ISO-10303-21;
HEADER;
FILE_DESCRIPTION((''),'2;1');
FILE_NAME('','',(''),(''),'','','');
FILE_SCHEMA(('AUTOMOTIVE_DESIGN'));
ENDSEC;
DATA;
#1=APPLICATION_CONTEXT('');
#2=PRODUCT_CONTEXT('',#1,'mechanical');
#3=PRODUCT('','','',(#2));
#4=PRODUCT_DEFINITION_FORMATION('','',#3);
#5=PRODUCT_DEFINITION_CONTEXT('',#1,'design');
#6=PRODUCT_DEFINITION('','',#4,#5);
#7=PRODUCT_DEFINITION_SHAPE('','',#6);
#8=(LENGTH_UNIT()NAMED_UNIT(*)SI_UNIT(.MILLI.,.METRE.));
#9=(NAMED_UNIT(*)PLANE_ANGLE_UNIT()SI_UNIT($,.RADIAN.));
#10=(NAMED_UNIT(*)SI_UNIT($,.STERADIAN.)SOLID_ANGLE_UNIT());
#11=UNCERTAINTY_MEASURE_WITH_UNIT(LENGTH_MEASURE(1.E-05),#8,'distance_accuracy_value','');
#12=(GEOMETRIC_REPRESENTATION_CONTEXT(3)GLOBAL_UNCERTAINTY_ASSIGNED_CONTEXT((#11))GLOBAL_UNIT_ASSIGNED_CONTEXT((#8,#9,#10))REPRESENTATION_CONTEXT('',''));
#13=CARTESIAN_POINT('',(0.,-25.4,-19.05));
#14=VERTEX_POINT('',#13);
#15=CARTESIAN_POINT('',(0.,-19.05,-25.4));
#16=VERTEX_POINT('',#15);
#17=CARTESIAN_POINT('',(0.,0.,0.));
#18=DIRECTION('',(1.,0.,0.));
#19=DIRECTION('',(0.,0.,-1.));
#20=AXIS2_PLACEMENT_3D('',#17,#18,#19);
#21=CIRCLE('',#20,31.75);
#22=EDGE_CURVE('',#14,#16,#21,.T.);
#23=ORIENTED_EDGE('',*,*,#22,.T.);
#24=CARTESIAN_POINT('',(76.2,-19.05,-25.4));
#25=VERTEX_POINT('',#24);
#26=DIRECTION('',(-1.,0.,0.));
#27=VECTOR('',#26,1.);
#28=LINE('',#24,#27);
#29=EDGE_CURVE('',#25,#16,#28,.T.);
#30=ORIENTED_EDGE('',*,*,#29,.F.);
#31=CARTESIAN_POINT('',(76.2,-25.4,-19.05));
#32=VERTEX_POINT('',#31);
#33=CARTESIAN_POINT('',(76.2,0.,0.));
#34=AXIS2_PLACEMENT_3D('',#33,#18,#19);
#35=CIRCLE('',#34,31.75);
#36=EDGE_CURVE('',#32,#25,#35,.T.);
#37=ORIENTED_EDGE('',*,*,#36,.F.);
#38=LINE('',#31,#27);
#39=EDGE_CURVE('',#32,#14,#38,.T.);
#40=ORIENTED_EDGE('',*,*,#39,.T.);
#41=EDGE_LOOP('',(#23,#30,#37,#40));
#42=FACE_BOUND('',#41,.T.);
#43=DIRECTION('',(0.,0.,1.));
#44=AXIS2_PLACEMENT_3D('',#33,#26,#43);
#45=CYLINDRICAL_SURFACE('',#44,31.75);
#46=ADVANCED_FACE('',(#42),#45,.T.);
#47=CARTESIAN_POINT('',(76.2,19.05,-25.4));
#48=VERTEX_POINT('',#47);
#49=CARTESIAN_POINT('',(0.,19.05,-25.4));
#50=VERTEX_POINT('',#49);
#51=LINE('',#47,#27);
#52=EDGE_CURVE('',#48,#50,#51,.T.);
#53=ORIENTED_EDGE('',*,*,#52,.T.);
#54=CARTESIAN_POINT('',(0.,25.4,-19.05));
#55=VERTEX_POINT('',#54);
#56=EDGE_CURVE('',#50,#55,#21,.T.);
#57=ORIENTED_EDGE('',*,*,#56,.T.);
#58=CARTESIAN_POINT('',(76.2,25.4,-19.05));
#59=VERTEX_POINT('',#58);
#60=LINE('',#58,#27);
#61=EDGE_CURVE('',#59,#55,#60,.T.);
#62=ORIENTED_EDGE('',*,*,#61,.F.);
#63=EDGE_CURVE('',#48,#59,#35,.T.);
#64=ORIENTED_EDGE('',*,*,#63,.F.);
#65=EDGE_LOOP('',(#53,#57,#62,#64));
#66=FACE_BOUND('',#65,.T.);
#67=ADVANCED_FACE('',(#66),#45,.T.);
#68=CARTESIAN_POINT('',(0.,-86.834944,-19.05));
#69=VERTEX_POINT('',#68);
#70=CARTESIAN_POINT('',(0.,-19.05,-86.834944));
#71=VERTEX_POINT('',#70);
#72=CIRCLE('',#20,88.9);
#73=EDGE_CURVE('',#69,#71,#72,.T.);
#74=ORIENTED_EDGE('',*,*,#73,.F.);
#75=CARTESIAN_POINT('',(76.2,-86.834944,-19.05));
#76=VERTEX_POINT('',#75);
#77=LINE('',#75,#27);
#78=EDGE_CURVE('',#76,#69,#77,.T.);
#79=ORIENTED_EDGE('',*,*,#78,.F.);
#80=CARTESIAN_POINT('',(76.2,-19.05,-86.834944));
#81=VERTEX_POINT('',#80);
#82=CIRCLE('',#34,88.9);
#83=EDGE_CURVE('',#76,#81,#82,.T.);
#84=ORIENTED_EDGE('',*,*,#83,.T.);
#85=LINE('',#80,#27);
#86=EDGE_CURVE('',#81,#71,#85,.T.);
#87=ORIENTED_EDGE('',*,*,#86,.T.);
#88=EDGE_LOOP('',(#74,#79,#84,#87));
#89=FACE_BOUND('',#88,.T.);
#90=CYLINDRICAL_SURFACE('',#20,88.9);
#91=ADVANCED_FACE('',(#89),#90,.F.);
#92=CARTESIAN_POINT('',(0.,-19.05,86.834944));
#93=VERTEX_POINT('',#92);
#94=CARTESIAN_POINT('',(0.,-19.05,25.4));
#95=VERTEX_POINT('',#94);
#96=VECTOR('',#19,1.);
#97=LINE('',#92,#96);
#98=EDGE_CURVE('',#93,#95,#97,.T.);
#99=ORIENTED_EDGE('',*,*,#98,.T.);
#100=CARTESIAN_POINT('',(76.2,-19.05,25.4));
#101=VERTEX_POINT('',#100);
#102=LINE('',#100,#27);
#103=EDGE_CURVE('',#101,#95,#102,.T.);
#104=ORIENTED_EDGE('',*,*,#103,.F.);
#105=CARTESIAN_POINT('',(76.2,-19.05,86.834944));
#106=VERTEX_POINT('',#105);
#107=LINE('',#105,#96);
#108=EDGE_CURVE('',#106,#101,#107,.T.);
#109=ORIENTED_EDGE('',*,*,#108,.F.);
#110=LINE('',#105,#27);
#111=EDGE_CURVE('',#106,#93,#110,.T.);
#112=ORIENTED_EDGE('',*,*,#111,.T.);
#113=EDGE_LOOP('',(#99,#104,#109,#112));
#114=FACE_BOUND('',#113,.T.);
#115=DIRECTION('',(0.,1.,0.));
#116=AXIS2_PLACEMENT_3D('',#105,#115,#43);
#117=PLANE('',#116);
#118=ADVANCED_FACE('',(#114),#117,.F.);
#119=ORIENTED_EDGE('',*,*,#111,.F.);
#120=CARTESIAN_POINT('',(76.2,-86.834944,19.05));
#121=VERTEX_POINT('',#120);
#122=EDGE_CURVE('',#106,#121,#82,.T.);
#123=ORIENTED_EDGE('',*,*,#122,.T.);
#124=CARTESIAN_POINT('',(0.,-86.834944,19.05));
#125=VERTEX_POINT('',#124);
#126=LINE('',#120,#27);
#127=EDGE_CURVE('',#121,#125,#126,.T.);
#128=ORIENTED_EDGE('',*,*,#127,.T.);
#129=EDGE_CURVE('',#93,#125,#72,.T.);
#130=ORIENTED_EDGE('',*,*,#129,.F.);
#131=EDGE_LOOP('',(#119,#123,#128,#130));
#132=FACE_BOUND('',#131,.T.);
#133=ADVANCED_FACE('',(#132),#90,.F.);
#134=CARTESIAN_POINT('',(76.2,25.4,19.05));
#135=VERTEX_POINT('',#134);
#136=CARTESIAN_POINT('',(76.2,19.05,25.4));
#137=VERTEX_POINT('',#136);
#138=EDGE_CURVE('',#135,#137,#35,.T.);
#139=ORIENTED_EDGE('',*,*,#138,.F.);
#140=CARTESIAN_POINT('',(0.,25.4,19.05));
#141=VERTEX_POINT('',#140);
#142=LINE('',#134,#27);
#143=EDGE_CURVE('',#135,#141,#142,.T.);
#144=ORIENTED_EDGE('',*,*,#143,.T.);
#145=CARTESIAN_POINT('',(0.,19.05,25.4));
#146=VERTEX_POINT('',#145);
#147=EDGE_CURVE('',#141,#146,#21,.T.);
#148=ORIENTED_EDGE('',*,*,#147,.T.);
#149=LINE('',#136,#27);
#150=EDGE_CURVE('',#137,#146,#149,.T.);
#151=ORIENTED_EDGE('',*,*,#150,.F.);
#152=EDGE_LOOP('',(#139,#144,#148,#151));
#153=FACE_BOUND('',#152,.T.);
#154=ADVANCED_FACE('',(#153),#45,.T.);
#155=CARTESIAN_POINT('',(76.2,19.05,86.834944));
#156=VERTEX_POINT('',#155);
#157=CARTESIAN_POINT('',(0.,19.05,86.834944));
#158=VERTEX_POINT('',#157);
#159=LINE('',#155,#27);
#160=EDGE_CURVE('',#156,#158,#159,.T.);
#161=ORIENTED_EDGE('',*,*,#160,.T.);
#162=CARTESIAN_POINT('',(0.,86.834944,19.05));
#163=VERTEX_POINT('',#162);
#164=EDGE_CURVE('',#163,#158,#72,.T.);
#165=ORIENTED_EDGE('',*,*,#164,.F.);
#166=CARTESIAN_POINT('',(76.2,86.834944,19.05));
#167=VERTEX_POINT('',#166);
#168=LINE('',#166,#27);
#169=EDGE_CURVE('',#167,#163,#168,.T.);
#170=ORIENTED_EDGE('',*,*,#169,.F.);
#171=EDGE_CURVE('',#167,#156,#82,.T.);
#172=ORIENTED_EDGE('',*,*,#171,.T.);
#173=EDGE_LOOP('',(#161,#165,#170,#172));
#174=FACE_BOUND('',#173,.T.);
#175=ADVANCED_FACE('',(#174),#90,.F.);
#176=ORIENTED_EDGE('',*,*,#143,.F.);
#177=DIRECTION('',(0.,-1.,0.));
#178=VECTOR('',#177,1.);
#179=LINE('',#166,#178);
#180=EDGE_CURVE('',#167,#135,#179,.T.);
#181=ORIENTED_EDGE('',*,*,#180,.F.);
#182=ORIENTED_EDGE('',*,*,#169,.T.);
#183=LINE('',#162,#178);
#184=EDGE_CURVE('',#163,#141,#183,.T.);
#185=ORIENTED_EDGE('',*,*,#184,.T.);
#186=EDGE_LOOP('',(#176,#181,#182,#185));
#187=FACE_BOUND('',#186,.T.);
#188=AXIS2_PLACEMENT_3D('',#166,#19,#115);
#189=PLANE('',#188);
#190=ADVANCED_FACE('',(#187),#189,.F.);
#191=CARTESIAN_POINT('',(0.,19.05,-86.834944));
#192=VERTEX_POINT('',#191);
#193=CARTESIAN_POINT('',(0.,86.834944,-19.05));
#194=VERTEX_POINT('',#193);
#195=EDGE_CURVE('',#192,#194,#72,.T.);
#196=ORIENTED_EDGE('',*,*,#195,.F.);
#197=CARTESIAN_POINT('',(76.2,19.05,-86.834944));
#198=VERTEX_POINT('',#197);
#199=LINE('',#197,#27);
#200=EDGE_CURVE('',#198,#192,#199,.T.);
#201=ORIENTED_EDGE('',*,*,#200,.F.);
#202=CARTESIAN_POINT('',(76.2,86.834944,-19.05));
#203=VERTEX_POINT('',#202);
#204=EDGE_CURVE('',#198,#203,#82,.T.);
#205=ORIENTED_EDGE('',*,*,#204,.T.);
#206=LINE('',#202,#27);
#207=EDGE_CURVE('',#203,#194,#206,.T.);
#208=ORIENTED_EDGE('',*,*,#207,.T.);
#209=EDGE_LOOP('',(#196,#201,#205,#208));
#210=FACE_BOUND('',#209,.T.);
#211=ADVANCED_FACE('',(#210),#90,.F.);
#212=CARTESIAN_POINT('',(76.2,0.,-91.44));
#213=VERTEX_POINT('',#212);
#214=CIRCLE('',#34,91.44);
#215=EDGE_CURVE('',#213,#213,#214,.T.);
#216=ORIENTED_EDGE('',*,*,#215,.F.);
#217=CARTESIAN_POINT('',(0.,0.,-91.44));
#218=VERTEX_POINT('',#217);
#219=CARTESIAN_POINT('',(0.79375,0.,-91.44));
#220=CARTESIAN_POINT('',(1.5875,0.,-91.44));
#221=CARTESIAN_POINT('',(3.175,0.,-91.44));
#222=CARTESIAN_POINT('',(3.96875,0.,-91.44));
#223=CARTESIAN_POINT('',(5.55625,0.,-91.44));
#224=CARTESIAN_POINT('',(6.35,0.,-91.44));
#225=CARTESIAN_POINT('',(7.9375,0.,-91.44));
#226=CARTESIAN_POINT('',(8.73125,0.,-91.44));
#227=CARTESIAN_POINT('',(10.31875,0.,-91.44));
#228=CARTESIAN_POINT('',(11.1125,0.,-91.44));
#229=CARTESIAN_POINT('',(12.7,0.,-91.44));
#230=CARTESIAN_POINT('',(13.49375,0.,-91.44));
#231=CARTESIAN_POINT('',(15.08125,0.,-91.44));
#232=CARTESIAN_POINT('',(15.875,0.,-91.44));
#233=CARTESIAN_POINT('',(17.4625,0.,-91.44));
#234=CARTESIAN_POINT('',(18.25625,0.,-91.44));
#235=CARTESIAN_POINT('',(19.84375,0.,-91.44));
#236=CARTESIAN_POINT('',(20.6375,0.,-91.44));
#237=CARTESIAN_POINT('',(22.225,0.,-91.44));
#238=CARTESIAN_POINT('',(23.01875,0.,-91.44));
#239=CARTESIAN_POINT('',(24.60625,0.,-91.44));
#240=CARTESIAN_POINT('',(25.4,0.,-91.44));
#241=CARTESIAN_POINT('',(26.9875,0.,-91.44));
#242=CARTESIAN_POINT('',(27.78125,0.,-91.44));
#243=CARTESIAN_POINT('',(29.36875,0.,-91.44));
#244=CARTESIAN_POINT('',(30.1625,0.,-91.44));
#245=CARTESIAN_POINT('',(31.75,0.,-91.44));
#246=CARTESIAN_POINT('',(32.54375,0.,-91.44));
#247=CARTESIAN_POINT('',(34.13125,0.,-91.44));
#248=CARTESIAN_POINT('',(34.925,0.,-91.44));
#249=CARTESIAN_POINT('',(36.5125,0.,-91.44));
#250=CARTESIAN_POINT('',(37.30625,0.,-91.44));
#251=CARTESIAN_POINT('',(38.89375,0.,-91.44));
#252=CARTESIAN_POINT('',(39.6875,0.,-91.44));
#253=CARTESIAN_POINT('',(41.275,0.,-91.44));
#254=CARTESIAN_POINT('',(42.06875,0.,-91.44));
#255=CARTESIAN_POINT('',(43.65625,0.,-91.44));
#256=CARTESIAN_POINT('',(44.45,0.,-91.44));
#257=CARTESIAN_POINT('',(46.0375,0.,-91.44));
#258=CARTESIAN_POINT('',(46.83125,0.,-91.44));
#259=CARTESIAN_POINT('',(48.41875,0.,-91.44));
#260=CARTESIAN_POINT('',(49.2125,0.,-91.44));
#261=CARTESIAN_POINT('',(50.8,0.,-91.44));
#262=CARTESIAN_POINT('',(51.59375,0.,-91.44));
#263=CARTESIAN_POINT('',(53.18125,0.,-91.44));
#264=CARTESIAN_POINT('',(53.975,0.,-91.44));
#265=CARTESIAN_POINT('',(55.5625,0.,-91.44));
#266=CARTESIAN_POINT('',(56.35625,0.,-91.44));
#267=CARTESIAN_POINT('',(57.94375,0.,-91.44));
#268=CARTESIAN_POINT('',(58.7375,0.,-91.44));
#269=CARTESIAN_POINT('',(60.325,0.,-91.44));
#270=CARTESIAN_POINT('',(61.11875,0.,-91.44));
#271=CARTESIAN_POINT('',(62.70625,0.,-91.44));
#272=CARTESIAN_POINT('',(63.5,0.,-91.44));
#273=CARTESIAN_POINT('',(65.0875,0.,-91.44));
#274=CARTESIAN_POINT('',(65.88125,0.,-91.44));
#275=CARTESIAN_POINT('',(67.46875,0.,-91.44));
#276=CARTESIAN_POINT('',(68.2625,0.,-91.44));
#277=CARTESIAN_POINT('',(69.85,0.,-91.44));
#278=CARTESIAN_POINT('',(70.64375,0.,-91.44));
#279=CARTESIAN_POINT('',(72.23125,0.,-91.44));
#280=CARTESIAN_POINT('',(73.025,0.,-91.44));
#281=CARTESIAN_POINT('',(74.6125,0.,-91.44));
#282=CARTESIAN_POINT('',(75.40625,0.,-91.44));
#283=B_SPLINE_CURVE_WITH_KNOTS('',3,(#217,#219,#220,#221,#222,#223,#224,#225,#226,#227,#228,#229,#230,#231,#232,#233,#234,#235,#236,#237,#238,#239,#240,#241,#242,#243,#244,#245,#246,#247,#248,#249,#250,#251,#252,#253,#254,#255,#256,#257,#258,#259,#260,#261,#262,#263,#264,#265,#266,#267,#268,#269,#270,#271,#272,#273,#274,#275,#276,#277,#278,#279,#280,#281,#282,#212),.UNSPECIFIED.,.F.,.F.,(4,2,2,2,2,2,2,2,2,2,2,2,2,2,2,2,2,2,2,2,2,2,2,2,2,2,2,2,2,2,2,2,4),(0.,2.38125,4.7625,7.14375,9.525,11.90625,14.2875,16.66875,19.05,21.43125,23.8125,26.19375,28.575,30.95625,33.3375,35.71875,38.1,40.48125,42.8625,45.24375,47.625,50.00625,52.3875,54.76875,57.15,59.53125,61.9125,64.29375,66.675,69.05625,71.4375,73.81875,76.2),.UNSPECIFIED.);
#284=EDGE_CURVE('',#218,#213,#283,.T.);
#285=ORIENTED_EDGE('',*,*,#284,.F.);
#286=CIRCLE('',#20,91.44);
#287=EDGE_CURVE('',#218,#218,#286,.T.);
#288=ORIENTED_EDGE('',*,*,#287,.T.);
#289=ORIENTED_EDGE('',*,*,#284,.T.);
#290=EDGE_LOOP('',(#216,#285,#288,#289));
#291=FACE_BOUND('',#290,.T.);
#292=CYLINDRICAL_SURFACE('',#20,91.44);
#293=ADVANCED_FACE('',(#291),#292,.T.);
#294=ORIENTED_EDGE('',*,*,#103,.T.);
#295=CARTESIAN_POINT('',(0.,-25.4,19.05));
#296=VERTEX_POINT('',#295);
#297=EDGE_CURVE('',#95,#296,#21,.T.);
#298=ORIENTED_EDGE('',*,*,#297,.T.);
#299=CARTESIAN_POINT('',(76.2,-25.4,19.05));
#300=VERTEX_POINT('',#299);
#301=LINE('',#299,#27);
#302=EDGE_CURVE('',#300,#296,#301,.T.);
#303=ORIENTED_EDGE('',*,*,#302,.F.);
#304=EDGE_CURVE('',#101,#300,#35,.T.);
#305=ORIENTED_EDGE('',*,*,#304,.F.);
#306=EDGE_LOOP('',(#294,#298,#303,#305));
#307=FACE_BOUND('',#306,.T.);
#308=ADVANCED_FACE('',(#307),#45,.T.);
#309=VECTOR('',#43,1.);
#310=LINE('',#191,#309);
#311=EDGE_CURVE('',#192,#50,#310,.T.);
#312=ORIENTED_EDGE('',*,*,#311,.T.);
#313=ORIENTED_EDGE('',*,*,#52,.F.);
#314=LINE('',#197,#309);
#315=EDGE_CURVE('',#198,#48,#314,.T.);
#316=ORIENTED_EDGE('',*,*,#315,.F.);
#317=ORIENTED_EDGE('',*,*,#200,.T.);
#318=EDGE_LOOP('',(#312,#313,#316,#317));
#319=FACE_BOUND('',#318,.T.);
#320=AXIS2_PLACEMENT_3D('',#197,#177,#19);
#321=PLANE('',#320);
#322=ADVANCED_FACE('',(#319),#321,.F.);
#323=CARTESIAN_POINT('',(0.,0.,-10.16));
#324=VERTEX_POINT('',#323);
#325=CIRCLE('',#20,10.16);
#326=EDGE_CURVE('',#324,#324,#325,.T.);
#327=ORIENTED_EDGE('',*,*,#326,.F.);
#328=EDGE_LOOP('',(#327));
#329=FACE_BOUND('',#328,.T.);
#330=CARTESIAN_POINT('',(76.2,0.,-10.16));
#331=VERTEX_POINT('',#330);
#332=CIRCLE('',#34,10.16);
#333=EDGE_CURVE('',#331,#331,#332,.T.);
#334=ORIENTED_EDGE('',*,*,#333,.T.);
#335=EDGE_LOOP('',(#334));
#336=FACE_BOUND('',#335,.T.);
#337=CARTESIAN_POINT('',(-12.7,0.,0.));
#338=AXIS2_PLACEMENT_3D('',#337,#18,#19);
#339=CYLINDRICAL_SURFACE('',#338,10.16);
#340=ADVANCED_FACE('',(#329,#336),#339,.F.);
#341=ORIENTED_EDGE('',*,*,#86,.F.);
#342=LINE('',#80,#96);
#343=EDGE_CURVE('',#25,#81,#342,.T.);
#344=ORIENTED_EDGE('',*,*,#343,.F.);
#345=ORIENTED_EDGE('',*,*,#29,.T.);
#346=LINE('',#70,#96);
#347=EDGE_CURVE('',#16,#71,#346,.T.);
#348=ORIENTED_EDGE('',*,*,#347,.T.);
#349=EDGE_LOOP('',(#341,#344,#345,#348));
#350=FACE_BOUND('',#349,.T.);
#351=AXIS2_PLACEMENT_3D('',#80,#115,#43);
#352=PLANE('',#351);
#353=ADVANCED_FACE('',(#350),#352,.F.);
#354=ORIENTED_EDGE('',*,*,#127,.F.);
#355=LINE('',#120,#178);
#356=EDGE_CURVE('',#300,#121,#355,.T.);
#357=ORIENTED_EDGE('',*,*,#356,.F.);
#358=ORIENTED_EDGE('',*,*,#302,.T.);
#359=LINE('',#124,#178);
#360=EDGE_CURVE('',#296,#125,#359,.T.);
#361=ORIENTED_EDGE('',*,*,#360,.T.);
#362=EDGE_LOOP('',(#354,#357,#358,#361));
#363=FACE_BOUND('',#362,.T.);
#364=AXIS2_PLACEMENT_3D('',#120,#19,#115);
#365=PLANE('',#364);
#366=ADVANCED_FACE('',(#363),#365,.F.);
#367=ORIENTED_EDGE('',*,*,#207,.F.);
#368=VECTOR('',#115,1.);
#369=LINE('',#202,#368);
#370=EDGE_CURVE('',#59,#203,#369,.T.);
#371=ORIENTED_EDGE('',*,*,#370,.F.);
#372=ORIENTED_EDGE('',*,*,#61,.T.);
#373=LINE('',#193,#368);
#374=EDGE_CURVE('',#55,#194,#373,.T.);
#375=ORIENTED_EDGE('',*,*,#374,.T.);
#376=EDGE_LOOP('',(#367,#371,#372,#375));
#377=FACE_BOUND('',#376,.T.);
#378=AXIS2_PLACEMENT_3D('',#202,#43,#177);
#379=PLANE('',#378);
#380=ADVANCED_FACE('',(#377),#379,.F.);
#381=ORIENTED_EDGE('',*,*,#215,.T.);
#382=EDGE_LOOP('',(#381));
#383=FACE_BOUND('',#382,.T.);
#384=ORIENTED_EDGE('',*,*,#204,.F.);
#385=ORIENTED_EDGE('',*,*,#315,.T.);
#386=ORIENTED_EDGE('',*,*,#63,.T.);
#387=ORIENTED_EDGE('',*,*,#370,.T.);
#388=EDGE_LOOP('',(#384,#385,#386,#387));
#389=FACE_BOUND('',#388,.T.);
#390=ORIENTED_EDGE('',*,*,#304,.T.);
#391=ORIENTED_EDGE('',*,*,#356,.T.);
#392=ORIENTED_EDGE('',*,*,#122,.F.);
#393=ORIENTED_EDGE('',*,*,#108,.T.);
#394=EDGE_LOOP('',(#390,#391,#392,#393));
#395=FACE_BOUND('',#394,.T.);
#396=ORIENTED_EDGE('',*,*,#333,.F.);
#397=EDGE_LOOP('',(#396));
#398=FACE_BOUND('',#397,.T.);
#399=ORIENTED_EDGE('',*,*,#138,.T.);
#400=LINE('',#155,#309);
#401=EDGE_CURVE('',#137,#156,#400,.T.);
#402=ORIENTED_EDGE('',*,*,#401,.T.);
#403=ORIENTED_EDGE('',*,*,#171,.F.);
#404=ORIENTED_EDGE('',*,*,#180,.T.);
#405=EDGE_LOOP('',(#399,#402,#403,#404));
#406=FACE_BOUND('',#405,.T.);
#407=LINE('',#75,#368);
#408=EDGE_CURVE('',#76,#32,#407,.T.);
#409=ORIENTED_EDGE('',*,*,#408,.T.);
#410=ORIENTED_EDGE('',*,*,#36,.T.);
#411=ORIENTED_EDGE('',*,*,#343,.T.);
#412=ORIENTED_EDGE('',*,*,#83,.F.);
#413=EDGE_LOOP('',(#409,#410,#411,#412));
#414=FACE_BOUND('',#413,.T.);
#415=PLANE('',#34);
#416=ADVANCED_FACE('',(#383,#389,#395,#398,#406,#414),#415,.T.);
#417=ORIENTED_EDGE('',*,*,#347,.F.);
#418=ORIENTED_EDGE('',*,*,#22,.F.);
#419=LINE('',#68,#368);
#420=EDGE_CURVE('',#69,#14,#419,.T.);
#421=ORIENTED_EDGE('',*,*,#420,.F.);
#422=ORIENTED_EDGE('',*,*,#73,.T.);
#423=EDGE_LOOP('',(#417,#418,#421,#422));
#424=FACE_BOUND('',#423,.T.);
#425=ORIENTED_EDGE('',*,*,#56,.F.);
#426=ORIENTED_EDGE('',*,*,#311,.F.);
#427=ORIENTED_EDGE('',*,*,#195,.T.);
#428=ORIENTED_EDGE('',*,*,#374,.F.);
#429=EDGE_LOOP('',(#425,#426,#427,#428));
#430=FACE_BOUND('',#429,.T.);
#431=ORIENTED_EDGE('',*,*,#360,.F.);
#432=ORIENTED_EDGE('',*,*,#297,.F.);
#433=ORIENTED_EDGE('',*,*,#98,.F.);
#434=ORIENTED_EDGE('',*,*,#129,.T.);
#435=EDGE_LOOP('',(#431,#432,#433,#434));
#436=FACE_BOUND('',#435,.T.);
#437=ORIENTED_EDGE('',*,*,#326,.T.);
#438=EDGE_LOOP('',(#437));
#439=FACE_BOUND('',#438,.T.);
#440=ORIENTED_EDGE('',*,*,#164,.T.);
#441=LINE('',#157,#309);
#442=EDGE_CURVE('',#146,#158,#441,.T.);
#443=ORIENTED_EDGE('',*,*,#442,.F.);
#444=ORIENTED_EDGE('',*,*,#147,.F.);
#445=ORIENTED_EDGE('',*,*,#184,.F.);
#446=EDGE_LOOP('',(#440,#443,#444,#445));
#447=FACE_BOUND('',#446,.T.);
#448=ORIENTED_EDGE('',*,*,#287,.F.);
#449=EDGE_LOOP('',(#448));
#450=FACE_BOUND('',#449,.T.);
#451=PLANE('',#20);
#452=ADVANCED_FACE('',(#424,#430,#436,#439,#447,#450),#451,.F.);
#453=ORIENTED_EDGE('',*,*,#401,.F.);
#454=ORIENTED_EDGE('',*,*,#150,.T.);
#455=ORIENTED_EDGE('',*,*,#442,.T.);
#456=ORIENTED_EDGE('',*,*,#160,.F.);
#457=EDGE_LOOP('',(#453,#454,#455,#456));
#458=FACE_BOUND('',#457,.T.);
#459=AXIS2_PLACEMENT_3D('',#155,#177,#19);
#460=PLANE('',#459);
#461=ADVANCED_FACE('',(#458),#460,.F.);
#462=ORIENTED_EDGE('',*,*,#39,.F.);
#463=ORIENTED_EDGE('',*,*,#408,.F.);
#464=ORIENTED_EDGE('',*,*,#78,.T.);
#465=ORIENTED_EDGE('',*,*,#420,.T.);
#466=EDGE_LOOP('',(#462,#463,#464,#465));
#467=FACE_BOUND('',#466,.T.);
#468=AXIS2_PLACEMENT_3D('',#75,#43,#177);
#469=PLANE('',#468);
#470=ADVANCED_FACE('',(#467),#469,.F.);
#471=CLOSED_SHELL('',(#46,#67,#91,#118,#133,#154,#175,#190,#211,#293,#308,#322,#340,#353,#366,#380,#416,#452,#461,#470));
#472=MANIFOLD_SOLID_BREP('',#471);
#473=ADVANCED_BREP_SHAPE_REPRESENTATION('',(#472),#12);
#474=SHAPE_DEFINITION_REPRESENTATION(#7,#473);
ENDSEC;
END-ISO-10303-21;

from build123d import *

# Parameters (mm, degrees)
BOSS_EXTRUDE1_DEPTH = 76.2
BOSS_EXTRUDE2_START = -76.2
SKETCH2_R           = 91.44
SKETCH2_R_2         = 88.9
BOSS_EXTRUDE2_DEPTH = 76.2
SKETCH3_R           = 10.16
CUT_EXTRUDE1_DEPTH  = 88.9


with BuildPart() as part:
    # Sketch1 → Boss-Extrude1 (new body)
    with BuildSketch(Plane(origin=(0, 0, 0), x_dir=(0, 0, -1), z_dir=(1, 0, 0))):
        with BuildLine():
            Line((-86.834944003, 19.05), (-25.4, 19.05))
            ThreePointArc((-25.4, 19.05), (-22.450640303, 22.450640303), (-19.05, 25.4))
            Line((-19.05, 25.4), (-19.05, 86.834944003))
            ThreePointArc((-19.05, 86.834944003), (0, 88.9), (19.05, 86.834944003))
            Line((19.05, 86.834944003), (19.05, 25.4))
            ThreePointArc((19.05, 25.4), (22.450640303, 22.450640303), (25.4, 19.05))
            Line((25.4, 19.05), (86.834944003, 19.05))
            ThreePointArc((86.834944003, 19.05), (88.9, 0), (86.834944003, -19.05))
            Line((86.834944003, -19.05), (25.4, -19.05))
            ThreePointArc((25.4, -19.05), (22.450640303, -22.450640303), (19.05, -25.4))
            Line((19.05, -25.4), (19.05, -86.834944003))
            ThreePointArc((19.05, -86.834944003), (0, -88.9), (-19.05, -86.834944003))
            Line((-19.05, -86.834944003), (-19.05, -25.4))
            ThreePointArc((-19.05, -25.4), (-22.450640303, -22.450640303), (-25.4, -19.05))
            Line((-25.4, -19.05), (-86.834944003, -19.05))
            ThreePointArc((-86.834944003, -19.05), (-88.9, 0), (-86.834944003, 19.05))
        make_face()
    extrude(amount=BOSS_EXTRUDE1_DEPTH)

    # Sketch2 → Boss-Extrude2 (add)
    with BuildSketch(Plane(origin=(76.2, 0, 0), x_dir=(0, 0, -1), z_dir=(1, 0, 0)).offset(BOSS_EXTRUDE2_START)):
        Circle(SKETCH2_R)
        Circle(SKETCH2_R_2, mode=Mode.SUBTRACT)
    extrude(amount=BOSS_EXTRUDE2_DEPTH)

    # Sketch3 → Cut-Extrude1 (cut)
    with BuildSketch(Plane(origin=(76.2, 0, 0), x_dir=(0, 0, -1), z_dir=(1, 0, 0))):
        Circle(SKETCH3_R)
    extrude(amount=-CUT_EXTRUDE1_DEPTH, mode=Mode.SUBTRACT)


solid = part.part
